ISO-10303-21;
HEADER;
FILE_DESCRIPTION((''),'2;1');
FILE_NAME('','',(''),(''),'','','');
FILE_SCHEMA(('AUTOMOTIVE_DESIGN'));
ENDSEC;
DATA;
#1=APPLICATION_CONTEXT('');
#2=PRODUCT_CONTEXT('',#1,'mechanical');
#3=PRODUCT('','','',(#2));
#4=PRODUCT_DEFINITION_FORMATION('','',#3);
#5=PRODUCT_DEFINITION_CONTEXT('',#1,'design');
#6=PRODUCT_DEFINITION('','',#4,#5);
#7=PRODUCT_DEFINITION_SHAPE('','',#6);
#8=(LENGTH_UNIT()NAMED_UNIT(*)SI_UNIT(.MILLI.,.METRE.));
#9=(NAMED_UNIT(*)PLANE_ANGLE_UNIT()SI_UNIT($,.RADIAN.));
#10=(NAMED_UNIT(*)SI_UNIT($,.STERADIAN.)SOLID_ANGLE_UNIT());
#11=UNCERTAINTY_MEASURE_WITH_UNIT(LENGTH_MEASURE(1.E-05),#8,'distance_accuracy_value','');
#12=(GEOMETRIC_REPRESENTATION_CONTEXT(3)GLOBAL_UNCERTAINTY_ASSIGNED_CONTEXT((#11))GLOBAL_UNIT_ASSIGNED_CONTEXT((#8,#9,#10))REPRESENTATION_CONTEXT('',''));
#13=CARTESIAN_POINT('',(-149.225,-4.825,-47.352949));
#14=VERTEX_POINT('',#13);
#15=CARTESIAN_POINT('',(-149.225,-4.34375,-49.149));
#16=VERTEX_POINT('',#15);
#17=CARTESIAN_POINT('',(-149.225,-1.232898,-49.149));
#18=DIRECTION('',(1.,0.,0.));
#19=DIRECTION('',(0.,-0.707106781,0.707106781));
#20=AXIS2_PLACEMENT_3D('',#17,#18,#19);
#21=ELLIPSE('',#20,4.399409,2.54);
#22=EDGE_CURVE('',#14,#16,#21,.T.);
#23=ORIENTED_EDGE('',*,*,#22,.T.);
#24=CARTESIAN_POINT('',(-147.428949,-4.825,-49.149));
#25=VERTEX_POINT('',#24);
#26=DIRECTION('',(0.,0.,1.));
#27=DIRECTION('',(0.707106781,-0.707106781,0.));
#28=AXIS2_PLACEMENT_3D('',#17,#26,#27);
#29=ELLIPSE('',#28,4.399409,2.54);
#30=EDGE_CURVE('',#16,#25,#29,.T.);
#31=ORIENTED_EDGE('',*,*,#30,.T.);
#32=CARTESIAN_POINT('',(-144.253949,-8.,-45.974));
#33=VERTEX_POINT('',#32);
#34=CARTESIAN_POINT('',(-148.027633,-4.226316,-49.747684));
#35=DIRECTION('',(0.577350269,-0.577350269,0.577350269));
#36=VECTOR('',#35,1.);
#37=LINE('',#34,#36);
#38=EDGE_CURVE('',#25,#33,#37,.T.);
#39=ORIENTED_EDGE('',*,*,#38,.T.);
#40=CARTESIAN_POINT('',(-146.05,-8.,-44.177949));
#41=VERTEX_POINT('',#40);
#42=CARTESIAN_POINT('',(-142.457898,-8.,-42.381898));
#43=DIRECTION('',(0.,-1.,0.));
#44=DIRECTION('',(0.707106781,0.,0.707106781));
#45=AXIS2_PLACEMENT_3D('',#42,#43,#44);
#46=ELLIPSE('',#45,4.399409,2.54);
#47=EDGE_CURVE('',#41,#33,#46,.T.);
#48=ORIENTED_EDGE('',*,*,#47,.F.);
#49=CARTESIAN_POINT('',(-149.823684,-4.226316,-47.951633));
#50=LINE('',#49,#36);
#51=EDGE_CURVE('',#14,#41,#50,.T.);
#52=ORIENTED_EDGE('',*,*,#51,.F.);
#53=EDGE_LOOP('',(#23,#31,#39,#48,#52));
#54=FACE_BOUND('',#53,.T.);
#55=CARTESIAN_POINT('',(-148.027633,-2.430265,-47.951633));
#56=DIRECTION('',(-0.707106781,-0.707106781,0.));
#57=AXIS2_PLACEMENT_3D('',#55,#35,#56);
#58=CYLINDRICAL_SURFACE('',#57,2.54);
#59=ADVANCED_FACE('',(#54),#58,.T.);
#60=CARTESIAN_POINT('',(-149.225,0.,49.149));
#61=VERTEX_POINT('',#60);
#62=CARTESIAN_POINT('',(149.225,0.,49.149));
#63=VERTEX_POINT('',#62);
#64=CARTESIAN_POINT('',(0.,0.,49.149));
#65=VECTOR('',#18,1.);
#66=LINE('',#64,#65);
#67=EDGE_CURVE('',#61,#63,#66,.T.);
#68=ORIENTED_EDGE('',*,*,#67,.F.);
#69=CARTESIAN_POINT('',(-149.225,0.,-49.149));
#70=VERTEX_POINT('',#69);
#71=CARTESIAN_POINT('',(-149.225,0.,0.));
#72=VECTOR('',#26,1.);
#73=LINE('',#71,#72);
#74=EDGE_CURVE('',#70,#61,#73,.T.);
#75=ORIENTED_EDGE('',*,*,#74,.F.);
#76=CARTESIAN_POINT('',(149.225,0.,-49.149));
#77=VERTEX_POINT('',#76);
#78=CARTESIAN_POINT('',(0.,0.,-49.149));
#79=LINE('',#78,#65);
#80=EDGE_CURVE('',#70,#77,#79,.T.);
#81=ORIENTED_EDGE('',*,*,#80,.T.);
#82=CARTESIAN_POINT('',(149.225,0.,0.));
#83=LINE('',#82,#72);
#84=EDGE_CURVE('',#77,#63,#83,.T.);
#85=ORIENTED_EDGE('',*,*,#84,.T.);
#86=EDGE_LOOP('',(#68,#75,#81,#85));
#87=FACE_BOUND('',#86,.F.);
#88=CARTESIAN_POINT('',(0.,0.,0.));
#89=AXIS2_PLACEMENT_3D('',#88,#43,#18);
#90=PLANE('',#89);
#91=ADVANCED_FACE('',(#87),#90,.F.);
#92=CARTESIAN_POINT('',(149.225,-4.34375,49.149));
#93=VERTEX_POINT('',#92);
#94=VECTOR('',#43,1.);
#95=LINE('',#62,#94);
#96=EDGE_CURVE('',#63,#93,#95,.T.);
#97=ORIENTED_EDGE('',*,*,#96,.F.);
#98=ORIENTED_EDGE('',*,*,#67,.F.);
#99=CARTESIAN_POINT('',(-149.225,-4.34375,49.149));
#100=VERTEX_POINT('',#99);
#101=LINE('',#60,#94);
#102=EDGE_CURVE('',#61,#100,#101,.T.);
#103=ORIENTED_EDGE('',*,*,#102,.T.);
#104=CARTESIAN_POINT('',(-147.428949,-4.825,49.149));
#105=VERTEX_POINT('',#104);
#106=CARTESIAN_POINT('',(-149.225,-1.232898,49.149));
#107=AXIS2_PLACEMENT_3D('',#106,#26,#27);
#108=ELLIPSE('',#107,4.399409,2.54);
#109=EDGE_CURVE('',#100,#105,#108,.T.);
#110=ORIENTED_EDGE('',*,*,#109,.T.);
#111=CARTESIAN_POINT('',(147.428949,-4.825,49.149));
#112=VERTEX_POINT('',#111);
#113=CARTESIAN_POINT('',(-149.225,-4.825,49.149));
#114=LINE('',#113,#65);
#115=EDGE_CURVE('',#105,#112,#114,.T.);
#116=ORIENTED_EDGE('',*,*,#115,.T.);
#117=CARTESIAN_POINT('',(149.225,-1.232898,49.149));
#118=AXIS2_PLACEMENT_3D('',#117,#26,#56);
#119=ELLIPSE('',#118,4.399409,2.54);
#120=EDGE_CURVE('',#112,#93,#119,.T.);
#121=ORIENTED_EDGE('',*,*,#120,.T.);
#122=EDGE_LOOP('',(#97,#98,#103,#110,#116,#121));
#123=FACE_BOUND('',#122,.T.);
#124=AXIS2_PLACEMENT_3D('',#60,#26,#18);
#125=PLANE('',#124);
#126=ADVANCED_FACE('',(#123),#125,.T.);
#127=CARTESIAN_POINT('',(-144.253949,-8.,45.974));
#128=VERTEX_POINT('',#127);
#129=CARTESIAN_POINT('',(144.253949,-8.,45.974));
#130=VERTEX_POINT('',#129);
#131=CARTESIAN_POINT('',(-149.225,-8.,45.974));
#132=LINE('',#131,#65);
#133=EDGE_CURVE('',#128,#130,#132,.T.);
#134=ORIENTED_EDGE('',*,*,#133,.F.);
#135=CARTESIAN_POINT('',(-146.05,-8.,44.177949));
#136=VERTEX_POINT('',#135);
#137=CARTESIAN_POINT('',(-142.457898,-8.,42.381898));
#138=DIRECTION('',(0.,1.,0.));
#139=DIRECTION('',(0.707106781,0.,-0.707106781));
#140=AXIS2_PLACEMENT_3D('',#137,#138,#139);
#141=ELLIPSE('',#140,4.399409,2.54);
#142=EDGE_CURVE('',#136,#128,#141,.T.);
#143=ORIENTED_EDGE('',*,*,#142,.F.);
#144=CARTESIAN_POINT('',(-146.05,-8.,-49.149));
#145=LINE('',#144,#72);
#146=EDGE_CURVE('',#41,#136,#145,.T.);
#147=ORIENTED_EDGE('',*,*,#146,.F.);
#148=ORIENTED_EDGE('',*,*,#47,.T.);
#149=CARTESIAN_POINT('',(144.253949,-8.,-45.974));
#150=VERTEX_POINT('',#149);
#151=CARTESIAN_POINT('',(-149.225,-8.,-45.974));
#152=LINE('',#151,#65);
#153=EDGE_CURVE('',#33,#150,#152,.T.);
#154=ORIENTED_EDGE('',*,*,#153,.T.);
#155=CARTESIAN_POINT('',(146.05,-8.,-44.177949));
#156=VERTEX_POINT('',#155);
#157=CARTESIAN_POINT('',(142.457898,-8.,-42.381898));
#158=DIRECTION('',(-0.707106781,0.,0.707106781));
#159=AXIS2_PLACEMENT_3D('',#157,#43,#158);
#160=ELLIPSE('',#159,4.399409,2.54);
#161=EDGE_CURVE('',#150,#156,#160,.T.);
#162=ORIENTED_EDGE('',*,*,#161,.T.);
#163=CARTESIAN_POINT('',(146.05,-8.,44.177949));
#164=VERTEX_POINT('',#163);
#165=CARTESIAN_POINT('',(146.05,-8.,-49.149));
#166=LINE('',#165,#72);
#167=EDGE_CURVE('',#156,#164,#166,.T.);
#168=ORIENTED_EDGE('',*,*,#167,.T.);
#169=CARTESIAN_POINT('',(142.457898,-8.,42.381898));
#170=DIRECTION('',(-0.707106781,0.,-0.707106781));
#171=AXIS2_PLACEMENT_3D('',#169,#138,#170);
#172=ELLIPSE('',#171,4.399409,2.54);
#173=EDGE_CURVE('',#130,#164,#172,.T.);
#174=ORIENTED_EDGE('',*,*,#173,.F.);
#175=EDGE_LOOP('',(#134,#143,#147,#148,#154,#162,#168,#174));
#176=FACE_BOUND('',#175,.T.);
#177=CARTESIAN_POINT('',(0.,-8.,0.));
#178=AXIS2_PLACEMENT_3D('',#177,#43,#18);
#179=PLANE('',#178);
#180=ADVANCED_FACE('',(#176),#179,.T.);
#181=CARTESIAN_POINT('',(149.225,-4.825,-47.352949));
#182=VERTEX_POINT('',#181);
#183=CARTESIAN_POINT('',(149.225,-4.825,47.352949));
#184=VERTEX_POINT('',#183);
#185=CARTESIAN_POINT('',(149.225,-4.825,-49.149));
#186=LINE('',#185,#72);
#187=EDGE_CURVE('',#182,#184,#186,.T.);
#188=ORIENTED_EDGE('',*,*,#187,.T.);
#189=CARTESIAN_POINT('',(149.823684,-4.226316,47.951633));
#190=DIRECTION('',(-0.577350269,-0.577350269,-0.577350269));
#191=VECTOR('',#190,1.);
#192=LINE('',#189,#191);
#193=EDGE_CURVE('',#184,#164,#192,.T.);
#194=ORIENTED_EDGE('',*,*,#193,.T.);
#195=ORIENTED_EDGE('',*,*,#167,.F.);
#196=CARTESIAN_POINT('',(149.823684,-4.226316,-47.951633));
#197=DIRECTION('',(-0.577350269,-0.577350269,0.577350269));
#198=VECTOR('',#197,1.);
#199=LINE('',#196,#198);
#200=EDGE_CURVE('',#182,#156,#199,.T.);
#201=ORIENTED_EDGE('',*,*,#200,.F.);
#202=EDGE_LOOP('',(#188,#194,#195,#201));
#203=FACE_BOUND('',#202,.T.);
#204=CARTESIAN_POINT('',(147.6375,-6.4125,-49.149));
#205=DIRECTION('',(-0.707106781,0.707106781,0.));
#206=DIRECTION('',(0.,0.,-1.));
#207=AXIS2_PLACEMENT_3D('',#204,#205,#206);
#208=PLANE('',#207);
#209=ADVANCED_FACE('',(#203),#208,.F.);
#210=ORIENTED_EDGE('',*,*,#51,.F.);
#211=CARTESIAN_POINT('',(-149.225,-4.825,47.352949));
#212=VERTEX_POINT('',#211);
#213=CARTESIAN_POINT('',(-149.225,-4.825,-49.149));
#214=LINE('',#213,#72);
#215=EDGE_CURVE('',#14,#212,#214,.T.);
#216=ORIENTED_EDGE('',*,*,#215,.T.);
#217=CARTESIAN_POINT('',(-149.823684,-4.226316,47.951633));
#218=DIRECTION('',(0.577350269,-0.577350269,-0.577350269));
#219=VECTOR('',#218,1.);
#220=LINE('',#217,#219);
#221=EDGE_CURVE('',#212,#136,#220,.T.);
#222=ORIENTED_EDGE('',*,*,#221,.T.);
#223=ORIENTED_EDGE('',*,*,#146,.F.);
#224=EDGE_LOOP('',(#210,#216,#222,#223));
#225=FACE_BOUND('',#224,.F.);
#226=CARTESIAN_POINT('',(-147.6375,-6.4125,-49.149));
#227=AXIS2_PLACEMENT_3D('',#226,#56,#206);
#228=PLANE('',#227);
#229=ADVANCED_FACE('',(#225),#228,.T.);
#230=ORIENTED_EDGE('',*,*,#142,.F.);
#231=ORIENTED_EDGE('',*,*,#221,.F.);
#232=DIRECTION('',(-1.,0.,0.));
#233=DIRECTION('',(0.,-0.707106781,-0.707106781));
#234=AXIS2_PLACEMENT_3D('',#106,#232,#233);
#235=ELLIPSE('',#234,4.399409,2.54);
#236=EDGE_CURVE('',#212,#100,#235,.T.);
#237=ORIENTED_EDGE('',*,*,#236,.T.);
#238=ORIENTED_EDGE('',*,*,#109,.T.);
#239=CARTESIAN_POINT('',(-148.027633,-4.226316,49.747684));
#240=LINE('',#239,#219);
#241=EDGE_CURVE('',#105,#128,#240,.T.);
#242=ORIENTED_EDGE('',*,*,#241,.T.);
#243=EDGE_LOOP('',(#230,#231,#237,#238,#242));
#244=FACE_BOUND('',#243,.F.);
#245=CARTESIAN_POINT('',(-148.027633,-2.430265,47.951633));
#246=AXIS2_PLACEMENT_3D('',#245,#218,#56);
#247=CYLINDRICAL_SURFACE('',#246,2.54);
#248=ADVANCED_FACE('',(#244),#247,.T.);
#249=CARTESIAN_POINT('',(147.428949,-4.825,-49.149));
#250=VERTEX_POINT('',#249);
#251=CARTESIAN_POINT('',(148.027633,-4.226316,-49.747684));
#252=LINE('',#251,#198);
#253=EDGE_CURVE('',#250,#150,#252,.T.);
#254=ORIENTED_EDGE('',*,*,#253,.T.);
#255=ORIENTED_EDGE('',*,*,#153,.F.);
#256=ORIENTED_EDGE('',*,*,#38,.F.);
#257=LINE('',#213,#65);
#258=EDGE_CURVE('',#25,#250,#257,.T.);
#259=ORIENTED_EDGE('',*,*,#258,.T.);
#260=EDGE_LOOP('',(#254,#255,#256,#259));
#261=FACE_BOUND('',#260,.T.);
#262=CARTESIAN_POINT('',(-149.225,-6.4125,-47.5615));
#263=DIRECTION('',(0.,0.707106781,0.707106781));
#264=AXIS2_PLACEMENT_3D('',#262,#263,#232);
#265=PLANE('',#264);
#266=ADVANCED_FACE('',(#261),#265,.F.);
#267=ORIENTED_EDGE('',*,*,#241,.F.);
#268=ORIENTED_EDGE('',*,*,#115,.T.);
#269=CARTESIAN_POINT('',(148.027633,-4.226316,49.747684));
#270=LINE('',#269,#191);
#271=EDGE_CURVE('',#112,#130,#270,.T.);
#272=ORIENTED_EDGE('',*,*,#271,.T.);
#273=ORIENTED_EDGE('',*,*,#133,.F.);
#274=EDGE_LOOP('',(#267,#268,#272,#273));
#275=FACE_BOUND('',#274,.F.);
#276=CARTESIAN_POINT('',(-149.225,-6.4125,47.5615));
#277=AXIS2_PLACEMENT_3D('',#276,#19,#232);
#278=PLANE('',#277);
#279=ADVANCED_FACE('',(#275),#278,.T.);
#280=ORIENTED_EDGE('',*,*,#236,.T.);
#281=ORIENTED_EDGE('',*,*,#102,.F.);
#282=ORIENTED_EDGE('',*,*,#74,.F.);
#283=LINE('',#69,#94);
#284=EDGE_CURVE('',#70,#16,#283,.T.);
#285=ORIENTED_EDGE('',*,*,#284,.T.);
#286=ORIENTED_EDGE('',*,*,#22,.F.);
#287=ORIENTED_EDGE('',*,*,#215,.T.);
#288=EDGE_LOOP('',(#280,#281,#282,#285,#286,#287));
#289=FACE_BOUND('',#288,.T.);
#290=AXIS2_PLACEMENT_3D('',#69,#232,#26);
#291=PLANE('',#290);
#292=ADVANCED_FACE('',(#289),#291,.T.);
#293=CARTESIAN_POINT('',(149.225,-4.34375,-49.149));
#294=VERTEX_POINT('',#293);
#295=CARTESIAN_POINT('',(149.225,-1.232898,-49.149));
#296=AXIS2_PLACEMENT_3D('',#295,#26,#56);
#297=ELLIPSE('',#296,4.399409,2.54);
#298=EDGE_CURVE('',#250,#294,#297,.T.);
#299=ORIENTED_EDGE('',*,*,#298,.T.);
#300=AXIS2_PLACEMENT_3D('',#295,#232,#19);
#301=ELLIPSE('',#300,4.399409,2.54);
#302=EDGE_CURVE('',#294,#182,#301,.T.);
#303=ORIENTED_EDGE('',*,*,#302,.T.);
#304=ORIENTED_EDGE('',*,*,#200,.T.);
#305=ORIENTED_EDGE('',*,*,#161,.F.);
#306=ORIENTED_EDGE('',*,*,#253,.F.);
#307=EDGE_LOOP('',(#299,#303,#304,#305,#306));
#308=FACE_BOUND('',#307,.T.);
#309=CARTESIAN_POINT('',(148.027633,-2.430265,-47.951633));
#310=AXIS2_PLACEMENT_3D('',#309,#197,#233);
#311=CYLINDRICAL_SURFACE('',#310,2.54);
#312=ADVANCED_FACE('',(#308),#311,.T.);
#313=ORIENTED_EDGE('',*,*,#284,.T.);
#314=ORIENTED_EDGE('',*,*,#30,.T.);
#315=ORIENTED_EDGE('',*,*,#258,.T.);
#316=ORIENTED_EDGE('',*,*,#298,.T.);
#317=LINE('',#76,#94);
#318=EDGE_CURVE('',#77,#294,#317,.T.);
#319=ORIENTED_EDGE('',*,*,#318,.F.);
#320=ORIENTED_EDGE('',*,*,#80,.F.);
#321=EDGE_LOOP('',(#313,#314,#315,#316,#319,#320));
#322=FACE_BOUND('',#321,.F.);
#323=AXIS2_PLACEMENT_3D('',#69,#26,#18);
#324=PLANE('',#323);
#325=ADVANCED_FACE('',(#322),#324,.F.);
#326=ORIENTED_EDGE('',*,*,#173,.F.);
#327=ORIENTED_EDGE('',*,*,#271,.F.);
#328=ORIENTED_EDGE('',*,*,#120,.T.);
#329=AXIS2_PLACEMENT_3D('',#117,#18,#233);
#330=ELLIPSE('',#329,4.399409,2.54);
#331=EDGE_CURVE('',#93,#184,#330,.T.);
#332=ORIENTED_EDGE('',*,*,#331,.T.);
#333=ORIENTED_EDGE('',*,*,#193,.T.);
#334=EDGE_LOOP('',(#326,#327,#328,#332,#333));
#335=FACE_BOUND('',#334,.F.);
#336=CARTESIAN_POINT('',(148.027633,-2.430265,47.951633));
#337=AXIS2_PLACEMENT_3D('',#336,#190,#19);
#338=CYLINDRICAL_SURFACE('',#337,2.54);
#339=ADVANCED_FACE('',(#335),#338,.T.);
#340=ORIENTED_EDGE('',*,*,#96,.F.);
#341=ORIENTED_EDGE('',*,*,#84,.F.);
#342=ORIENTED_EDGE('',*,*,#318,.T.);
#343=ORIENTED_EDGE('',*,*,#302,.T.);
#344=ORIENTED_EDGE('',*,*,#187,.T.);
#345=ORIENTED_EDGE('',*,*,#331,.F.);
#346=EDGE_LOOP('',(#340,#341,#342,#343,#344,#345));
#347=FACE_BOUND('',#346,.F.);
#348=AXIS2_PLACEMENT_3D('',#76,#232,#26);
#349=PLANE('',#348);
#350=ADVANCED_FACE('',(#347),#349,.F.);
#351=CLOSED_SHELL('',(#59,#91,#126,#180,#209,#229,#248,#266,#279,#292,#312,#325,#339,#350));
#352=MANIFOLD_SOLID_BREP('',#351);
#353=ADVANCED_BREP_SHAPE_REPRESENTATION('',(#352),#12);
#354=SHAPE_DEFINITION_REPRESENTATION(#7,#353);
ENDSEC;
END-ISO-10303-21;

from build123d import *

# Parameters (mm, degrees)
F0_W     = 298.45
F0_H     = 98.298
F1_DEPTH = 8
F2_SIZE  = 3.175
F3_R     = 2.54


with BuildPart() as f1:
    # F0 (on Front) → F1 (new body)
    with BuildSketch(Plane.XZ):
        Rectangle(F0_W, F0_H)
    extrude(amount=F1_DEPTH)

    # F2
    f2_edges = [f1.edges().sort_by_distance(p)[0] for p in [
        (0, -8, 49.149),
        (-149.225, -8, 0),
        (0, -8, -49.149),
        (149.225, -8, 0),
    ]]
    chamfer(f2_edges, length=F2_SIZE)

    # F3
    f3_edges = [f1.edges().sort_by_distance(p)[0] for p in [
        (147.6375, -6.4125, 47.5615),
        (147.6375, -6.4125, -47.5615),
        (-147.6375, -6.4125, -47.5615),
        (-147.6375, -6.4125, 47.5615),
    ]]
    fillet(f3_edges, radius=F3_R)


solid = f1.part
